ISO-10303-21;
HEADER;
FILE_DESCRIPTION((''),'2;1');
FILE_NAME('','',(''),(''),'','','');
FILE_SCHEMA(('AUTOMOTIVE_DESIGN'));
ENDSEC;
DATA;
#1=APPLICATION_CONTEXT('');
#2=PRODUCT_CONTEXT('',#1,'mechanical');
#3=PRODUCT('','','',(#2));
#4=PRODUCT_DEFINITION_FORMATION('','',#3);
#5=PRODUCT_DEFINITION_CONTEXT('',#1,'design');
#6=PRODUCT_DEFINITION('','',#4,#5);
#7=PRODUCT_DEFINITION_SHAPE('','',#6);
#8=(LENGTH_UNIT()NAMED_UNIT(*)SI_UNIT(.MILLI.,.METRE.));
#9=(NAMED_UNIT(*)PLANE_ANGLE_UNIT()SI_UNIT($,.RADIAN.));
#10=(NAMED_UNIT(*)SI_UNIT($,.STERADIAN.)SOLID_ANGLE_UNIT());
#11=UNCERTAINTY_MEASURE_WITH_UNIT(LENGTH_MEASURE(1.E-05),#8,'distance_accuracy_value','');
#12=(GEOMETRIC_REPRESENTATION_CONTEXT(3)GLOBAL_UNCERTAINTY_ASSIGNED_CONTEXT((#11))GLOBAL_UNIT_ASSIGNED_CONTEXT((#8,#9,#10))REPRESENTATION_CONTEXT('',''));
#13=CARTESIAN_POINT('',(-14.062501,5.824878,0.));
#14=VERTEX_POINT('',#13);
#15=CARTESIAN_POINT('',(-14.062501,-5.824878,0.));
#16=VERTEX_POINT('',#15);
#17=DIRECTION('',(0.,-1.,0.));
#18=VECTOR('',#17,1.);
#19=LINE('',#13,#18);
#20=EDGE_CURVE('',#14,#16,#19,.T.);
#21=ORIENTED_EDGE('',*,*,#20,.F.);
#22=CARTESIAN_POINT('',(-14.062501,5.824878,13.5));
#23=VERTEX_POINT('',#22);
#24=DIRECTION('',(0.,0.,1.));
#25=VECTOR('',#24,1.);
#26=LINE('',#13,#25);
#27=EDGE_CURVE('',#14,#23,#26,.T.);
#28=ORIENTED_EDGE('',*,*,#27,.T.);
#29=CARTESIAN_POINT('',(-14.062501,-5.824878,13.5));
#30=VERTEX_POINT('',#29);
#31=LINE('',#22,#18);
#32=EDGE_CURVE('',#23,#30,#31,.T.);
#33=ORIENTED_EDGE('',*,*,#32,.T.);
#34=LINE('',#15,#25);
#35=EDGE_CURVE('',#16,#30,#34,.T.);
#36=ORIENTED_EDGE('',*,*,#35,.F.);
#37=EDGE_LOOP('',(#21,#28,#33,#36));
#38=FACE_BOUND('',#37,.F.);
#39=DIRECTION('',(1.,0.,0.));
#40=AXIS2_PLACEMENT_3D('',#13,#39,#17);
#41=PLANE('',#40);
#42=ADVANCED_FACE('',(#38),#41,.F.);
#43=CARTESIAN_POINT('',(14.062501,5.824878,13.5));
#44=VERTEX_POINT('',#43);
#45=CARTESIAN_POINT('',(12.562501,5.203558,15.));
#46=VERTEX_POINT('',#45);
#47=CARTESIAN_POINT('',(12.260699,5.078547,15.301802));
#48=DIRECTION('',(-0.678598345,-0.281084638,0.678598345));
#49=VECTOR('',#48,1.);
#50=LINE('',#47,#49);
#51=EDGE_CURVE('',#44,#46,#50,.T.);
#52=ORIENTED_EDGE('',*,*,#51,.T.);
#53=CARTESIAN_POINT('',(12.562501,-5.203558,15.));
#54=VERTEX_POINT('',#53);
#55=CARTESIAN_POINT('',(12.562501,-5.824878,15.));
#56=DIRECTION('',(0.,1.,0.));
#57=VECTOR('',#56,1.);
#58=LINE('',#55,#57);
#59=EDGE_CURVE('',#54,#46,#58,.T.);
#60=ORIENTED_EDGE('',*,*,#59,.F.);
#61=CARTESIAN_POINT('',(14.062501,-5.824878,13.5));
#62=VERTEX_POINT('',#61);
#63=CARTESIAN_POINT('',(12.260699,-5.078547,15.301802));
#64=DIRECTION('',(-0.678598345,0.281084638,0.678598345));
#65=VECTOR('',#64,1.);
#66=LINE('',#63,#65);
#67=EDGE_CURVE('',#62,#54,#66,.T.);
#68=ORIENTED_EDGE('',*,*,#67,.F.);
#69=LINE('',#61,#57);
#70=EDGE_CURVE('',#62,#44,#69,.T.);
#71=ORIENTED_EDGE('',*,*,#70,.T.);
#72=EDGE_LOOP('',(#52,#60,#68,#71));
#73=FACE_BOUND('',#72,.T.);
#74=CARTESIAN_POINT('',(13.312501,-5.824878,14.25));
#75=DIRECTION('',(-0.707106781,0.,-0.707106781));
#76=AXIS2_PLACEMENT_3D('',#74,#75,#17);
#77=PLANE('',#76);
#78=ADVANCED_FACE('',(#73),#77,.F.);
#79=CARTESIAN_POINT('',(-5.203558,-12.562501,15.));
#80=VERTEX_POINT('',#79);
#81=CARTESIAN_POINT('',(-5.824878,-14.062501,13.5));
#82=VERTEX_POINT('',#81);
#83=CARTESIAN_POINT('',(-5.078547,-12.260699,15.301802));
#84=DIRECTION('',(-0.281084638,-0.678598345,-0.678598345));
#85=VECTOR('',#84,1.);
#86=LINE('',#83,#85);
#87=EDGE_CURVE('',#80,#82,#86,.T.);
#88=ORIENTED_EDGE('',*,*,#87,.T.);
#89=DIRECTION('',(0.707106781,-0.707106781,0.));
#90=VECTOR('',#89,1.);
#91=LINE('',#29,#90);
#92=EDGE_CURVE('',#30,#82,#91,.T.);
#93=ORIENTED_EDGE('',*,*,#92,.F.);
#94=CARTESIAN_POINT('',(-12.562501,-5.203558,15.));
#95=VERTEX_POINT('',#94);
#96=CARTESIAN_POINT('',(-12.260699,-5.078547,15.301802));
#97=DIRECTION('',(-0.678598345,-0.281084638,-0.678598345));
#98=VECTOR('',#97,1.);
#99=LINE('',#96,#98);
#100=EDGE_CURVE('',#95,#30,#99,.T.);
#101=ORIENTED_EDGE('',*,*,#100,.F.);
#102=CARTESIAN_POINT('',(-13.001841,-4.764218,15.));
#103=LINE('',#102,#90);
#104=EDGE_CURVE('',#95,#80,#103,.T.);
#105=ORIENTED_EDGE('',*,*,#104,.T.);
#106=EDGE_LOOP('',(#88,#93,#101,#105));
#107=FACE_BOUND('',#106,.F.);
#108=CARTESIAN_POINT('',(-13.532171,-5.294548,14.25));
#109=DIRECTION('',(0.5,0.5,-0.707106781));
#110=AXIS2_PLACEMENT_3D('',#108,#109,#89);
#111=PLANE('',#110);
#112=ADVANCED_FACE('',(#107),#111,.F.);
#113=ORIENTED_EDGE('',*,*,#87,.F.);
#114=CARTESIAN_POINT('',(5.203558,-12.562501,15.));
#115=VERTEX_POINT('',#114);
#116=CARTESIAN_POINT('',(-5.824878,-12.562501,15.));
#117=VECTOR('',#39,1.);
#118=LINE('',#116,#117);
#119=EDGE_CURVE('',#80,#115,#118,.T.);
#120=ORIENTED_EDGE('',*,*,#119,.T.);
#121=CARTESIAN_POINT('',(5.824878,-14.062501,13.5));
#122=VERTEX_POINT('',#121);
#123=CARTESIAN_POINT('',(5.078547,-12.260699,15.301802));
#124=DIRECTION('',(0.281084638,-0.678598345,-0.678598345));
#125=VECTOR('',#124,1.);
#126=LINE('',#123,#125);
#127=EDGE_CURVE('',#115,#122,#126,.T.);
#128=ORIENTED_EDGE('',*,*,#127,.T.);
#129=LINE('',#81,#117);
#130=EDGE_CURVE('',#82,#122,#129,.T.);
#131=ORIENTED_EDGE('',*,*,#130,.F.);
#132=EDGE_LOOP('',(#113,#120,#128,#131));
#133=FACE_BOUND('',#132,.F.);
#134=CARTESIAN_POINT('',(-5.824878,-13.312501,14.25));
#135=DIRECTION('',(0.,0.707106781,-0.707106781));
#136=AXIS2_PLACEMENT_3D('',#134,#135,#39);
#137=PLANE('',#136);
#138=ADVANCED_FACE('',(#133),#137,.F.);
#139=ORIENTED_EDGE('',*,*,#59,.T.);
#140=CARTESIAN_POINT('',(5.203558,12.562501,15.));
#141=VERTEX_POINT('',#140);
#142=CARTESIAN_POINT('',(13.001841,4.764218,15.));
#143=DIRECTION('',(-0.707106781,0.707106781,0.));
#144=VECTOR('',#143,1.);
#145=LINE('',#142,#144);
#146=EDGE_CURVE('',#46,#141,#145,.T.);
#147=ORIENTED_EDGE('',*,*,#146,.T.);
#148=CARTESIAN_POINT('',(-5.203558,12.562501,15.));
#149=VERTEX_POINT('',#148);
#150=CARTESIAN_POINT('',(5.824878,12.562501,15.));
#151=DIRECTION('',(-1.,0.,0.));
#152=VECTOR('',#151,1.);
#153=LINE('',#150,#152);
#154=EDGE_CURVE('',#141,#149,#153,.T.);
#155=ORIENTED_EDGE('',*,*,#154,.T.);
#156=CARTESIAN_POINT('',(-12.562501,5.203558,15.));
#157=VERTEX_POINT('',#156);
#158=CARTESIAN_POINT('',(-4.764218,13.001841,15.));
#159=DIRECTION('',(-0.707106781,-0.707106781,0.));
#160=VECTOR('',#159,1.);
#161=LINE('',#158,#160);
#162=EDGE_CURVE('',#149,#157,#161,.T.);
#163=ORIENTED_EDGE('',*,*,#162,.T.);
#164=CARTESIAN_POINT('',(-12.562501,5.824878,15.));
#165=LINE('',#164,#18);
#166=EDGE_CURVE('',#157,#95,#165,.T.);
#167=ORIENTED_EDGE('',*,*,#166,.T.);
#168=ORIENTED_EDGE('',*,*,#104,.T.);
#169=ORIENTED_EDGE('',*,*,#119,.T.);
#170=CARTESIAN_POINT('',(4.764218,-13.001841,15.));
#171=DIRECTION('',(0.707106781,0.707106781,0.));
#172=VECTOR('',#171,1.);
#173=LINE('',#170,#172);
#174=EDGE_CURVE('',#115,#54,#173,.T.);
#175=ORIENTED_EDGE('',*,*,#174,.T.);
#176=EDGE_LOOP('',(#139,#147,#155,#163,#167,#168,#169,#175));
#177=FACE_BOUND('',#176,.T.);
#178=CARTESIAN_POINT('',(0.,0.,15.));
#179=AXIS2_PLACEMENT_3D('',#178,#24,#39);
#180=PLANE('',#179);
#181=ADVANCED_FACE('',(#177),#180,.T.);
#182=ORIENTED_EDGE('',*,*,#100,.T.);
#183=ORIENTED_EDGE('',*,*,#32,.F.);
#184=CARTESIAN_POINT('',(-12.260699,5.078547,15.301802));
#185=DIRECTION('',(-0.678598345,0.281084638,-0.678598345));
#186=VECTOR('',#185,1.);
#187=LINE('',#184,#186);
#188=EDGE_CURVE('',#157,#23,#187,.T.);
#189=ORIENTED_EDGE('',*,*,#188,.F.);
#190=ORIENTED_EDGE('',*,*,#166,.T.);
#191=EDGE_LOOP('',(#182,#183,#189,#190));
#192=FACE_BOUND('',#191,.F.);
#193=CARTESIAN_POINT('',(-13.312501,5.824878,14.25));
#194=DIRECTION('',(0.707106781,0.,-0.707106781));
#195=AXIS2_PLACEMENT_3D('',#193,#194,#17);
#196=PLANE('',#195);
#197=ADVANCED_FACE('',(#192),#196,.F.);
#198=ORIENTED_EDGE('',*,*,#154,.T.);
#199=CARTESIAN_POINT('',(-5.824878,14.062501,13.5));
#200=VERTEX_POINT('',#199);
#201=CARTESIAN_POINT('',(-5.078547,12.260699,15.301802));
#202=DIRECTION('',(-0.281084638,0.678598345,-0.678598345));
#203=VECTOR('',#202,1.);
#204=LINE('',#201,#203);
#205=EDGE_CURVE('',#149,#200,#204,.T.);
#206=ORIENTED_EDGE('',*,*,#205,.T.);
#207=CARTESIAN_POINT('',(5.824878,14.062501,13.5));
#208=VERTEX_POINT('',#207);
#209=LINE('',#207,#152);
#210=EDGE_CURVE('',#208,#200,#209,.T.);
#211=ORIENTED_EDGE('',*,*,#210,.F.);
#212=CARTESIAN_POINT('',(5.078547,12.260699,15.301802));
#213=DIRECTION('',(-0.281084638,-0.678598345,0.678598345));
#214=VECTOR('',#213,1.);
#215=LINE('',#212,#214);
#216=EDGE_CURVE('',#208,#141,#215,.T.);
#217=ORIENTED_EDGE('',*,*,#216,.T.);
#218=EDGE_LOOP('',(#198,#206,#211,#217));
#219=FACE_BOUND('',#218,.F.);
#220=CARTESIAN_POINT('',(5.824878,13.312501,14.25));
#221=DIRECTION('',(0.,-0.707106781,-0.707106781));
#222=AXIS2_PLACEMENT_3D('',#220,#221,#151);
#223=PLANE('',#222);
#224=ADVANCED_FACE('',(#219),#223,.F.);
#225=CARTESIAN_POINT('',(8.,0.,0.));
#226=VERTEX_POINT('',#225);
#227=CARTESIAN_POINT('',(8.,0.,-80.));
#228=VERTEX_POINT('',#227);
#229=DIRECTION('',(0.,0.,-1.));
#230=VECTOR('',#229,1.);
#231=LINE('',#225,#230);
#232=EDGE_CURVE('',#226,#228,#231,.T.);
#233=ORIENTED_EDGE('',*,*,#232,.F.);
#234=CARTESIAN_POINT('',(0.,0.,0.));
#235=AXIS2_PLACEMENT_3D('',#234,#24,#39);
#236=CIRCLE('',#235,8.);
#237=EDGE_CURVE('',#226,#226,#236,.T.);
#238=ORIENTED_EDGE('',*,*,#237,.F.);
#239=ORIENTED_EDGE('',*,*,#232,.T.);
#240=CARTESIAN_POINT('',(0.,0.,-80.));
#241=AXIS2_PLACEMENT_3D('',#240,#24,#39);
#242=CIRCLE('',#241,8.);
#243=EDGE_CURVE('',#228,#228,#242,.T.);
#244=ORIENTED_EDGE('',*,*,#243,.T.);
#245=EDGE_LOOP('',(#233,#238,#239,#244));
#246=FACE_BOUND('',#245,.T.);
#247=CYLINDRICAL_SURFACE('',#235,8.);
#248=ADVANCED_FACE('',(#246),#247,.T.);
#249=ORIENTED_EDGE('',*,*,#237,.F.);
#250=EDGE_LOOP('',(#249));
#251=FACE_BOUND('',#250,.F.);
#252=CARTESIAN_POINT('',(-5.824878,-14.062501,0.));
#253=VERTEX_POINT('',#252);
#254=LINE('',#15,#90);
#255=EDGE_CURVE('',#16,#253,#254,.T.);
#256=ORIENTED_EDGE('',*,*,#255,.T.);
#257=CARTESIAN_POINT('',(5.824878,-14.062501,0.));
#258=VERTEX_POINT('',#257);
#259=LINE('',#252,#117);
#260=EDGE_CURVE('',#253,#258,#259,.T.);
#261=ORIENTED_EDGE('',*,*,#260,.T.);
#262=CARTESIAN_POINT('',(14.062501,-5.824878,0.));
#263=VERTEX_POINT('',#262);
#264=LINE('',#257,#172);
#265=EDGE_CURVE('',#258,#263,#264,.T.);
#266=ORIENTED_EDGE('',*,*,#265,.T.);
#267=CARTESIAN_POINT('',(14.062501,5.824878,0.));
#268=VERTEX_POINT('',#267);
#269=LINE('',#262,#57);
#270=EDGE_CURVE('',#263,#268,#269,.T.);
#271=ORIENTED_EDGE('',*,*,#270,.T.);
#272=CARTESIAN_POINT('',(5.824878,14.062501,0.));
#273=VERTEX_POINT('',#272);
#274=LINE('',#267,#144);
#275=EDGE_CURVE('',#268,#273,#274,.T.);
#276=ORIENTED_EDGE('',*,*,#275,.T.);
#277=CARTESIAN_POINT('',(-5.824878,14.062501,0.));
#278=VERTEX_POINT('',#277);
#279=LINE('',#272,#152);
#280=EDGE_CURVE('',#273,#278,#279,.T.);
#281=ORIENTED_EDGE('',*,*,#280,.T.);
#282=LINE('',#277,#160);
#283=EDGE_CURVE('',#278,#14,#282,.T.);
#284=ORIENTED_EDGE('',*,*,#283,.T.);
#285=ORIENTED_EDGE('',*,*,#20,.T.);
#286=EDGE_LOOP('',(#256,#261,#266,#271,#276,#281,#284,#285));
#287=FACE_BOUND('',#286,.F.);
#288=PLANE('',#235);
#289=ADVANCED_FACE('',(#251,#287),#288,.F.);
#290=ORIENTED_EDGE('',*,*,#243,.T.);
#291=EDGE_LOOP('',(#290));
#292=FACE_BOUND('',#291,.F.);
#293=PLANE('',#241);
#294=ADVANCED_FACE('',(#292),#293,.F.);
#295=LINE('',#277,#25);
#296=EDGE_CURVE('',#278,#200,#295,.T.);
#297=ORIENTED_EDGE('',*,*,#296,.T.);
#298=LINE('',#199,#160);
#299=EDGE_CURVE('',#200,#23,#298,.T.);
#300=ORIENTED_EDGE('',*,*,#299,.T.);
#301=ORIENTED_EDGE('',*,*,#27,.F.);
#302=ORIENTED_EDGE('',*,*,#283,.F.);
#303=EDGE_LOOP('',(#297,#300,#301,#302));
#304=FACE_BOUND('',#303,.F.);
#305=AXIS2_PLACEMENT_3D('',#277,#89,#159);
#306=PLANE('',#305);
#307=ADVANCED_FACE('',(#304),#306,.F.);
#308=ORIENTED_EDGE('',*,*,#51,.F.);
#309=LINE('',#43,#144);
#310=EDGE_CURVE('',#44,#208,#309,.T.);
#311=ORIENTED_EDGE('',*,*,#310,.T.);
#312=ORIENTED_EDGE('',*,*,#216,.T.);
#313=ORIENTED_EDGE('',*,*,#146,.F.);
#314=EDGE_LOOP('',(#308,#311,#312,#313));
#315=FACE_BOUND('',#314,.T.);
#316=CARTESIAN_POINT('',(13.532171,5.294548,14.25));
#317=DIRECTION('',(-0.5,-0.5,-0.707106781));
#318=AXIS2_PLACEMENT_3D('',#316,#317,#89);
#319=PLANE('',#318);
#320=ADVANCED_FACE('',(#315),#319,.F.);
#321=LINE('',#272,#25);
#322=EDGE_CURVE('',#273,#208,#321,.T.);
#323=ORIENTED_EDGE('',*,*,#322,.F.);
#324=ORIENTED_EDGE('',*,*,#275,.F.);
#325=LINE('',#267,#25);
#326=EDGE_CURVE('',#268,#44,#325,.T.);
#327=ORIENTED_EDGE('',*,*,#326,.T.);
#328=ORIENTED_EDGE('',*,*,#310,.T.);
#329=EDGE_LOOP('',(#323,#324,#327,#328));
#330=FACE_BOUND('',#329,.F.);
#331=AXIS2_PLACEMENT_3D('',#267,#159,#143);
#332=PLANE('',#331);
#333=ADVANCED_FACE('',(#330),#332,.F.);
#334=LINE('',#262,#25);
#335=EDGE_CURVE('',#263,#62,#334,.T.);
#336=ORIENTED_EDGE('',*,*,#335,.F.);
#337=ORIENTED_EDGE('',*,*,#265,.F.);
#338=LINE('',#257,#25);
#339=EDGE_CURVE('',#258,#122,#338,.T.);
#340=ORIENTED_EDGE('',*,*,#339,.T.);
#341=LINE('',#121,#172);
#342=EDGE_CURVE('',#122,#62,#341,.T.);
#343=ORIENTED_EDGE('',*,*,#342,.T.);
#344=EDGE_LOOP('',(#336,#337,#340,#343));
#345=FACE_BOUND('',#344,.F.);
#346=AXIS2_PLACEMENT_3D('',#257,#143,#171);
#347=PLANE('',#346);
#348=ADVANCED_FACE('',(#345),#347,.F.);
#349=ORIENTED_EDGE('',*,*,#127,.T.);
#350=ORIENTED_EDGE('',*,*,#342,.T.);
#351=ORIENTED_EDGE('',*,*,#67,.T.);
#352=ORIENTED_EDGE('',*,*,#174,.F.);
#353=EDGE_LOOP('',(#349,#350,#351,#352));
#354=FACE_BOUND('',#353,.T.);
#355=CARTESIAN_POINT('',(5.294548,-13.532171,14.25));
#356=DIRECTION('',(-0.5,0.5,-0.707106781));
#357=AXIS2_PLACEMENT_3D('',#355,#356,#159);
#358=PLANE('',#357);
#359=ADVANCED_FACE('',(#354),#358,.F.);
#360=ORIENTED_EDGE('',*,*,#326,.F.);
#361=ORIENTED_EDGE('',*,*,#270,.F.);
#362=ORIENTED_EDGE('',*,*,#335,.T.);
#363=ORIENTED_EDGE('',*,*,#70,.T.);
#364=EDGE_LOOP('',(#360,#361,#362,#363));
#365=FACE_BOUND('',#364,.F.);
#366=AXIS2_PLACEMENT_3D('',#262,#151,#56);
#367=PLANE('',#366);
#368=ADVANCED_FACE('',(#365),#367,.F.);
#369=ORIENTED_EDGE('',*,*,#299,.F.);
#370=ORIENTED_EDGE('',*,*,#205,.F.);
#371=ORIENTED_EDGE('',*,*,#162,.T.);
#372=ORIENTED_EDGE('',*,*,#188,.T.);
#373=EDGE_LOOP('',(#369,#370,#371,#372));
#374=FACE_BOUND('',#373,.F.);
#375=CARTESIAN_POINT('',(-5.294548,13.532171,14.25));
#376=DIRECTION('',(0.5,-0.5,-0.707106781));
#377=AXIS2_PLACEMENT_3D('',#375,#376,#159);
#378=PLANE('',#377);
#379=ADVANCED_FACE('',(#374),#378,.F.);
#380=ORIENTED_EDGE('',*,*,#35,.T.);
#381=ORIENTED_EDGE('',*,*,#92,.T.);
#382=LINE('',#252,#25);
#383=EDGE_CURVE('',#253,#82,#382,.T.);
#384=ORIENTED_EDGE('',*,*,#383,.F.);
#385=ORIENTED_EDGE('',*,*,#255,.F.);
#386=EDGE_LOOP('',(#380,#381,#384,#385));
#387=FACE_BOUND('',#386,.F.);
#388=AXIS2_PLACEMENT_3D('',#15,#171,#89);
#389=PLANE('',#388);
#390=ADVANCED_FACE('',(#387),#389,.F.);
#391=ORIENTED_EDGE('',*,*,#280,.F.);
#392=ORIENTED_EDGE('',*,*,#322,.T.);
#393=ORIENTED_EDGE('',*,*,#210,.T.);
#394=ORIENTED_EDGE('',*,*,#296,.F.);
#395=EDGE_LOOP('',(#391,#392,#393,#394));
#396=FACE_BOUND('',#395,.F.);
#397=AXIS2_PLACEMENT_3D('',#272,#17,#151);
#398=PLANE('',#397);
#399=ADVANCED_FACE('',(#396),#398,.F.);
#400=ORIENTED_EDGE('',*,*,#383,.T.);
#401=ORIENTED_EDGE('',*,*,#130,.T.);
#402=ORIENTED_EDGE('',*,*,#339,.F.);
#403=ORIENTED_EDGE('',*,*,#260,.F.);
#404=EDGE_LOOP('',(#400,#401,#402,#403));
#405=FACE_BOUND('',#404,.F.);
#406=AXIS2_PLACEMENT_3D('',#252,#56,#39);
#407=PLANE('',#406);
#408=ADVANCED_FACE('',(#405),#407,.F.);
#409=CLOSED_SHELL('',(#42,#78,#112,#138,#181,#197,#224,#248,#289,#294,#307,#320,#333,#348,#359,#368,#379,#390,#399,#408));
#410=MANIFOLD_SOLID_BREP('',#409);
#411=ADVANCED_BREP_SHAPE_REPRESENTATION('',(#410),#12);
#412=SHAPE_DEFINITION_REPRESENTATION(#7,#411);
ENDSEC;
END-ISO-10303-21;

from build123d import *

# Parameters (mm, degrees)
F2_DEPTH = 15
F0_R     = 8
F3_DEPTH = 80
F4_SIZE  = 1.5


with BuildPart() as f2:
    # F1 (on face) → F2 (new body)
    with BuildSketch(Plane.XY):
        Polygon((14.062501, -5.824878), (14.062501, 5.824878), (5.824878, 14.062501), (-5.824878, 14.062501), (-14.062501, 5.824878), (-14.062501, -5.824878), (-5.824878, -14.062501), (5.824878, -14.062501), align=None)
    extrude(amount=F2_DEPTH)

    # F0 (on Top) → F3 (join)
    with BuildSketch(Plane.XY):
        Circle(F0_R)
    extrude(amount=-F3_DEPTH)

    # F4
    f4_edges = [f2.edges().sort_by_distance(p)[0] for p in [
        (0, -14.062501, 15),
        (9.94369, -9.94369, 15),
        (14.062501, 0, 15),
        (9.94369, 9.94369, 15),
        (0, 14.062501, 15),
        (-9.94369, 9.94369, 15),
        (-14.062501, 0, 15),
        (-9.94369, -9.94369, 15),
    ]]
    chamfer(f4_edges, length=F4_SIZE)


solid = f2.part
